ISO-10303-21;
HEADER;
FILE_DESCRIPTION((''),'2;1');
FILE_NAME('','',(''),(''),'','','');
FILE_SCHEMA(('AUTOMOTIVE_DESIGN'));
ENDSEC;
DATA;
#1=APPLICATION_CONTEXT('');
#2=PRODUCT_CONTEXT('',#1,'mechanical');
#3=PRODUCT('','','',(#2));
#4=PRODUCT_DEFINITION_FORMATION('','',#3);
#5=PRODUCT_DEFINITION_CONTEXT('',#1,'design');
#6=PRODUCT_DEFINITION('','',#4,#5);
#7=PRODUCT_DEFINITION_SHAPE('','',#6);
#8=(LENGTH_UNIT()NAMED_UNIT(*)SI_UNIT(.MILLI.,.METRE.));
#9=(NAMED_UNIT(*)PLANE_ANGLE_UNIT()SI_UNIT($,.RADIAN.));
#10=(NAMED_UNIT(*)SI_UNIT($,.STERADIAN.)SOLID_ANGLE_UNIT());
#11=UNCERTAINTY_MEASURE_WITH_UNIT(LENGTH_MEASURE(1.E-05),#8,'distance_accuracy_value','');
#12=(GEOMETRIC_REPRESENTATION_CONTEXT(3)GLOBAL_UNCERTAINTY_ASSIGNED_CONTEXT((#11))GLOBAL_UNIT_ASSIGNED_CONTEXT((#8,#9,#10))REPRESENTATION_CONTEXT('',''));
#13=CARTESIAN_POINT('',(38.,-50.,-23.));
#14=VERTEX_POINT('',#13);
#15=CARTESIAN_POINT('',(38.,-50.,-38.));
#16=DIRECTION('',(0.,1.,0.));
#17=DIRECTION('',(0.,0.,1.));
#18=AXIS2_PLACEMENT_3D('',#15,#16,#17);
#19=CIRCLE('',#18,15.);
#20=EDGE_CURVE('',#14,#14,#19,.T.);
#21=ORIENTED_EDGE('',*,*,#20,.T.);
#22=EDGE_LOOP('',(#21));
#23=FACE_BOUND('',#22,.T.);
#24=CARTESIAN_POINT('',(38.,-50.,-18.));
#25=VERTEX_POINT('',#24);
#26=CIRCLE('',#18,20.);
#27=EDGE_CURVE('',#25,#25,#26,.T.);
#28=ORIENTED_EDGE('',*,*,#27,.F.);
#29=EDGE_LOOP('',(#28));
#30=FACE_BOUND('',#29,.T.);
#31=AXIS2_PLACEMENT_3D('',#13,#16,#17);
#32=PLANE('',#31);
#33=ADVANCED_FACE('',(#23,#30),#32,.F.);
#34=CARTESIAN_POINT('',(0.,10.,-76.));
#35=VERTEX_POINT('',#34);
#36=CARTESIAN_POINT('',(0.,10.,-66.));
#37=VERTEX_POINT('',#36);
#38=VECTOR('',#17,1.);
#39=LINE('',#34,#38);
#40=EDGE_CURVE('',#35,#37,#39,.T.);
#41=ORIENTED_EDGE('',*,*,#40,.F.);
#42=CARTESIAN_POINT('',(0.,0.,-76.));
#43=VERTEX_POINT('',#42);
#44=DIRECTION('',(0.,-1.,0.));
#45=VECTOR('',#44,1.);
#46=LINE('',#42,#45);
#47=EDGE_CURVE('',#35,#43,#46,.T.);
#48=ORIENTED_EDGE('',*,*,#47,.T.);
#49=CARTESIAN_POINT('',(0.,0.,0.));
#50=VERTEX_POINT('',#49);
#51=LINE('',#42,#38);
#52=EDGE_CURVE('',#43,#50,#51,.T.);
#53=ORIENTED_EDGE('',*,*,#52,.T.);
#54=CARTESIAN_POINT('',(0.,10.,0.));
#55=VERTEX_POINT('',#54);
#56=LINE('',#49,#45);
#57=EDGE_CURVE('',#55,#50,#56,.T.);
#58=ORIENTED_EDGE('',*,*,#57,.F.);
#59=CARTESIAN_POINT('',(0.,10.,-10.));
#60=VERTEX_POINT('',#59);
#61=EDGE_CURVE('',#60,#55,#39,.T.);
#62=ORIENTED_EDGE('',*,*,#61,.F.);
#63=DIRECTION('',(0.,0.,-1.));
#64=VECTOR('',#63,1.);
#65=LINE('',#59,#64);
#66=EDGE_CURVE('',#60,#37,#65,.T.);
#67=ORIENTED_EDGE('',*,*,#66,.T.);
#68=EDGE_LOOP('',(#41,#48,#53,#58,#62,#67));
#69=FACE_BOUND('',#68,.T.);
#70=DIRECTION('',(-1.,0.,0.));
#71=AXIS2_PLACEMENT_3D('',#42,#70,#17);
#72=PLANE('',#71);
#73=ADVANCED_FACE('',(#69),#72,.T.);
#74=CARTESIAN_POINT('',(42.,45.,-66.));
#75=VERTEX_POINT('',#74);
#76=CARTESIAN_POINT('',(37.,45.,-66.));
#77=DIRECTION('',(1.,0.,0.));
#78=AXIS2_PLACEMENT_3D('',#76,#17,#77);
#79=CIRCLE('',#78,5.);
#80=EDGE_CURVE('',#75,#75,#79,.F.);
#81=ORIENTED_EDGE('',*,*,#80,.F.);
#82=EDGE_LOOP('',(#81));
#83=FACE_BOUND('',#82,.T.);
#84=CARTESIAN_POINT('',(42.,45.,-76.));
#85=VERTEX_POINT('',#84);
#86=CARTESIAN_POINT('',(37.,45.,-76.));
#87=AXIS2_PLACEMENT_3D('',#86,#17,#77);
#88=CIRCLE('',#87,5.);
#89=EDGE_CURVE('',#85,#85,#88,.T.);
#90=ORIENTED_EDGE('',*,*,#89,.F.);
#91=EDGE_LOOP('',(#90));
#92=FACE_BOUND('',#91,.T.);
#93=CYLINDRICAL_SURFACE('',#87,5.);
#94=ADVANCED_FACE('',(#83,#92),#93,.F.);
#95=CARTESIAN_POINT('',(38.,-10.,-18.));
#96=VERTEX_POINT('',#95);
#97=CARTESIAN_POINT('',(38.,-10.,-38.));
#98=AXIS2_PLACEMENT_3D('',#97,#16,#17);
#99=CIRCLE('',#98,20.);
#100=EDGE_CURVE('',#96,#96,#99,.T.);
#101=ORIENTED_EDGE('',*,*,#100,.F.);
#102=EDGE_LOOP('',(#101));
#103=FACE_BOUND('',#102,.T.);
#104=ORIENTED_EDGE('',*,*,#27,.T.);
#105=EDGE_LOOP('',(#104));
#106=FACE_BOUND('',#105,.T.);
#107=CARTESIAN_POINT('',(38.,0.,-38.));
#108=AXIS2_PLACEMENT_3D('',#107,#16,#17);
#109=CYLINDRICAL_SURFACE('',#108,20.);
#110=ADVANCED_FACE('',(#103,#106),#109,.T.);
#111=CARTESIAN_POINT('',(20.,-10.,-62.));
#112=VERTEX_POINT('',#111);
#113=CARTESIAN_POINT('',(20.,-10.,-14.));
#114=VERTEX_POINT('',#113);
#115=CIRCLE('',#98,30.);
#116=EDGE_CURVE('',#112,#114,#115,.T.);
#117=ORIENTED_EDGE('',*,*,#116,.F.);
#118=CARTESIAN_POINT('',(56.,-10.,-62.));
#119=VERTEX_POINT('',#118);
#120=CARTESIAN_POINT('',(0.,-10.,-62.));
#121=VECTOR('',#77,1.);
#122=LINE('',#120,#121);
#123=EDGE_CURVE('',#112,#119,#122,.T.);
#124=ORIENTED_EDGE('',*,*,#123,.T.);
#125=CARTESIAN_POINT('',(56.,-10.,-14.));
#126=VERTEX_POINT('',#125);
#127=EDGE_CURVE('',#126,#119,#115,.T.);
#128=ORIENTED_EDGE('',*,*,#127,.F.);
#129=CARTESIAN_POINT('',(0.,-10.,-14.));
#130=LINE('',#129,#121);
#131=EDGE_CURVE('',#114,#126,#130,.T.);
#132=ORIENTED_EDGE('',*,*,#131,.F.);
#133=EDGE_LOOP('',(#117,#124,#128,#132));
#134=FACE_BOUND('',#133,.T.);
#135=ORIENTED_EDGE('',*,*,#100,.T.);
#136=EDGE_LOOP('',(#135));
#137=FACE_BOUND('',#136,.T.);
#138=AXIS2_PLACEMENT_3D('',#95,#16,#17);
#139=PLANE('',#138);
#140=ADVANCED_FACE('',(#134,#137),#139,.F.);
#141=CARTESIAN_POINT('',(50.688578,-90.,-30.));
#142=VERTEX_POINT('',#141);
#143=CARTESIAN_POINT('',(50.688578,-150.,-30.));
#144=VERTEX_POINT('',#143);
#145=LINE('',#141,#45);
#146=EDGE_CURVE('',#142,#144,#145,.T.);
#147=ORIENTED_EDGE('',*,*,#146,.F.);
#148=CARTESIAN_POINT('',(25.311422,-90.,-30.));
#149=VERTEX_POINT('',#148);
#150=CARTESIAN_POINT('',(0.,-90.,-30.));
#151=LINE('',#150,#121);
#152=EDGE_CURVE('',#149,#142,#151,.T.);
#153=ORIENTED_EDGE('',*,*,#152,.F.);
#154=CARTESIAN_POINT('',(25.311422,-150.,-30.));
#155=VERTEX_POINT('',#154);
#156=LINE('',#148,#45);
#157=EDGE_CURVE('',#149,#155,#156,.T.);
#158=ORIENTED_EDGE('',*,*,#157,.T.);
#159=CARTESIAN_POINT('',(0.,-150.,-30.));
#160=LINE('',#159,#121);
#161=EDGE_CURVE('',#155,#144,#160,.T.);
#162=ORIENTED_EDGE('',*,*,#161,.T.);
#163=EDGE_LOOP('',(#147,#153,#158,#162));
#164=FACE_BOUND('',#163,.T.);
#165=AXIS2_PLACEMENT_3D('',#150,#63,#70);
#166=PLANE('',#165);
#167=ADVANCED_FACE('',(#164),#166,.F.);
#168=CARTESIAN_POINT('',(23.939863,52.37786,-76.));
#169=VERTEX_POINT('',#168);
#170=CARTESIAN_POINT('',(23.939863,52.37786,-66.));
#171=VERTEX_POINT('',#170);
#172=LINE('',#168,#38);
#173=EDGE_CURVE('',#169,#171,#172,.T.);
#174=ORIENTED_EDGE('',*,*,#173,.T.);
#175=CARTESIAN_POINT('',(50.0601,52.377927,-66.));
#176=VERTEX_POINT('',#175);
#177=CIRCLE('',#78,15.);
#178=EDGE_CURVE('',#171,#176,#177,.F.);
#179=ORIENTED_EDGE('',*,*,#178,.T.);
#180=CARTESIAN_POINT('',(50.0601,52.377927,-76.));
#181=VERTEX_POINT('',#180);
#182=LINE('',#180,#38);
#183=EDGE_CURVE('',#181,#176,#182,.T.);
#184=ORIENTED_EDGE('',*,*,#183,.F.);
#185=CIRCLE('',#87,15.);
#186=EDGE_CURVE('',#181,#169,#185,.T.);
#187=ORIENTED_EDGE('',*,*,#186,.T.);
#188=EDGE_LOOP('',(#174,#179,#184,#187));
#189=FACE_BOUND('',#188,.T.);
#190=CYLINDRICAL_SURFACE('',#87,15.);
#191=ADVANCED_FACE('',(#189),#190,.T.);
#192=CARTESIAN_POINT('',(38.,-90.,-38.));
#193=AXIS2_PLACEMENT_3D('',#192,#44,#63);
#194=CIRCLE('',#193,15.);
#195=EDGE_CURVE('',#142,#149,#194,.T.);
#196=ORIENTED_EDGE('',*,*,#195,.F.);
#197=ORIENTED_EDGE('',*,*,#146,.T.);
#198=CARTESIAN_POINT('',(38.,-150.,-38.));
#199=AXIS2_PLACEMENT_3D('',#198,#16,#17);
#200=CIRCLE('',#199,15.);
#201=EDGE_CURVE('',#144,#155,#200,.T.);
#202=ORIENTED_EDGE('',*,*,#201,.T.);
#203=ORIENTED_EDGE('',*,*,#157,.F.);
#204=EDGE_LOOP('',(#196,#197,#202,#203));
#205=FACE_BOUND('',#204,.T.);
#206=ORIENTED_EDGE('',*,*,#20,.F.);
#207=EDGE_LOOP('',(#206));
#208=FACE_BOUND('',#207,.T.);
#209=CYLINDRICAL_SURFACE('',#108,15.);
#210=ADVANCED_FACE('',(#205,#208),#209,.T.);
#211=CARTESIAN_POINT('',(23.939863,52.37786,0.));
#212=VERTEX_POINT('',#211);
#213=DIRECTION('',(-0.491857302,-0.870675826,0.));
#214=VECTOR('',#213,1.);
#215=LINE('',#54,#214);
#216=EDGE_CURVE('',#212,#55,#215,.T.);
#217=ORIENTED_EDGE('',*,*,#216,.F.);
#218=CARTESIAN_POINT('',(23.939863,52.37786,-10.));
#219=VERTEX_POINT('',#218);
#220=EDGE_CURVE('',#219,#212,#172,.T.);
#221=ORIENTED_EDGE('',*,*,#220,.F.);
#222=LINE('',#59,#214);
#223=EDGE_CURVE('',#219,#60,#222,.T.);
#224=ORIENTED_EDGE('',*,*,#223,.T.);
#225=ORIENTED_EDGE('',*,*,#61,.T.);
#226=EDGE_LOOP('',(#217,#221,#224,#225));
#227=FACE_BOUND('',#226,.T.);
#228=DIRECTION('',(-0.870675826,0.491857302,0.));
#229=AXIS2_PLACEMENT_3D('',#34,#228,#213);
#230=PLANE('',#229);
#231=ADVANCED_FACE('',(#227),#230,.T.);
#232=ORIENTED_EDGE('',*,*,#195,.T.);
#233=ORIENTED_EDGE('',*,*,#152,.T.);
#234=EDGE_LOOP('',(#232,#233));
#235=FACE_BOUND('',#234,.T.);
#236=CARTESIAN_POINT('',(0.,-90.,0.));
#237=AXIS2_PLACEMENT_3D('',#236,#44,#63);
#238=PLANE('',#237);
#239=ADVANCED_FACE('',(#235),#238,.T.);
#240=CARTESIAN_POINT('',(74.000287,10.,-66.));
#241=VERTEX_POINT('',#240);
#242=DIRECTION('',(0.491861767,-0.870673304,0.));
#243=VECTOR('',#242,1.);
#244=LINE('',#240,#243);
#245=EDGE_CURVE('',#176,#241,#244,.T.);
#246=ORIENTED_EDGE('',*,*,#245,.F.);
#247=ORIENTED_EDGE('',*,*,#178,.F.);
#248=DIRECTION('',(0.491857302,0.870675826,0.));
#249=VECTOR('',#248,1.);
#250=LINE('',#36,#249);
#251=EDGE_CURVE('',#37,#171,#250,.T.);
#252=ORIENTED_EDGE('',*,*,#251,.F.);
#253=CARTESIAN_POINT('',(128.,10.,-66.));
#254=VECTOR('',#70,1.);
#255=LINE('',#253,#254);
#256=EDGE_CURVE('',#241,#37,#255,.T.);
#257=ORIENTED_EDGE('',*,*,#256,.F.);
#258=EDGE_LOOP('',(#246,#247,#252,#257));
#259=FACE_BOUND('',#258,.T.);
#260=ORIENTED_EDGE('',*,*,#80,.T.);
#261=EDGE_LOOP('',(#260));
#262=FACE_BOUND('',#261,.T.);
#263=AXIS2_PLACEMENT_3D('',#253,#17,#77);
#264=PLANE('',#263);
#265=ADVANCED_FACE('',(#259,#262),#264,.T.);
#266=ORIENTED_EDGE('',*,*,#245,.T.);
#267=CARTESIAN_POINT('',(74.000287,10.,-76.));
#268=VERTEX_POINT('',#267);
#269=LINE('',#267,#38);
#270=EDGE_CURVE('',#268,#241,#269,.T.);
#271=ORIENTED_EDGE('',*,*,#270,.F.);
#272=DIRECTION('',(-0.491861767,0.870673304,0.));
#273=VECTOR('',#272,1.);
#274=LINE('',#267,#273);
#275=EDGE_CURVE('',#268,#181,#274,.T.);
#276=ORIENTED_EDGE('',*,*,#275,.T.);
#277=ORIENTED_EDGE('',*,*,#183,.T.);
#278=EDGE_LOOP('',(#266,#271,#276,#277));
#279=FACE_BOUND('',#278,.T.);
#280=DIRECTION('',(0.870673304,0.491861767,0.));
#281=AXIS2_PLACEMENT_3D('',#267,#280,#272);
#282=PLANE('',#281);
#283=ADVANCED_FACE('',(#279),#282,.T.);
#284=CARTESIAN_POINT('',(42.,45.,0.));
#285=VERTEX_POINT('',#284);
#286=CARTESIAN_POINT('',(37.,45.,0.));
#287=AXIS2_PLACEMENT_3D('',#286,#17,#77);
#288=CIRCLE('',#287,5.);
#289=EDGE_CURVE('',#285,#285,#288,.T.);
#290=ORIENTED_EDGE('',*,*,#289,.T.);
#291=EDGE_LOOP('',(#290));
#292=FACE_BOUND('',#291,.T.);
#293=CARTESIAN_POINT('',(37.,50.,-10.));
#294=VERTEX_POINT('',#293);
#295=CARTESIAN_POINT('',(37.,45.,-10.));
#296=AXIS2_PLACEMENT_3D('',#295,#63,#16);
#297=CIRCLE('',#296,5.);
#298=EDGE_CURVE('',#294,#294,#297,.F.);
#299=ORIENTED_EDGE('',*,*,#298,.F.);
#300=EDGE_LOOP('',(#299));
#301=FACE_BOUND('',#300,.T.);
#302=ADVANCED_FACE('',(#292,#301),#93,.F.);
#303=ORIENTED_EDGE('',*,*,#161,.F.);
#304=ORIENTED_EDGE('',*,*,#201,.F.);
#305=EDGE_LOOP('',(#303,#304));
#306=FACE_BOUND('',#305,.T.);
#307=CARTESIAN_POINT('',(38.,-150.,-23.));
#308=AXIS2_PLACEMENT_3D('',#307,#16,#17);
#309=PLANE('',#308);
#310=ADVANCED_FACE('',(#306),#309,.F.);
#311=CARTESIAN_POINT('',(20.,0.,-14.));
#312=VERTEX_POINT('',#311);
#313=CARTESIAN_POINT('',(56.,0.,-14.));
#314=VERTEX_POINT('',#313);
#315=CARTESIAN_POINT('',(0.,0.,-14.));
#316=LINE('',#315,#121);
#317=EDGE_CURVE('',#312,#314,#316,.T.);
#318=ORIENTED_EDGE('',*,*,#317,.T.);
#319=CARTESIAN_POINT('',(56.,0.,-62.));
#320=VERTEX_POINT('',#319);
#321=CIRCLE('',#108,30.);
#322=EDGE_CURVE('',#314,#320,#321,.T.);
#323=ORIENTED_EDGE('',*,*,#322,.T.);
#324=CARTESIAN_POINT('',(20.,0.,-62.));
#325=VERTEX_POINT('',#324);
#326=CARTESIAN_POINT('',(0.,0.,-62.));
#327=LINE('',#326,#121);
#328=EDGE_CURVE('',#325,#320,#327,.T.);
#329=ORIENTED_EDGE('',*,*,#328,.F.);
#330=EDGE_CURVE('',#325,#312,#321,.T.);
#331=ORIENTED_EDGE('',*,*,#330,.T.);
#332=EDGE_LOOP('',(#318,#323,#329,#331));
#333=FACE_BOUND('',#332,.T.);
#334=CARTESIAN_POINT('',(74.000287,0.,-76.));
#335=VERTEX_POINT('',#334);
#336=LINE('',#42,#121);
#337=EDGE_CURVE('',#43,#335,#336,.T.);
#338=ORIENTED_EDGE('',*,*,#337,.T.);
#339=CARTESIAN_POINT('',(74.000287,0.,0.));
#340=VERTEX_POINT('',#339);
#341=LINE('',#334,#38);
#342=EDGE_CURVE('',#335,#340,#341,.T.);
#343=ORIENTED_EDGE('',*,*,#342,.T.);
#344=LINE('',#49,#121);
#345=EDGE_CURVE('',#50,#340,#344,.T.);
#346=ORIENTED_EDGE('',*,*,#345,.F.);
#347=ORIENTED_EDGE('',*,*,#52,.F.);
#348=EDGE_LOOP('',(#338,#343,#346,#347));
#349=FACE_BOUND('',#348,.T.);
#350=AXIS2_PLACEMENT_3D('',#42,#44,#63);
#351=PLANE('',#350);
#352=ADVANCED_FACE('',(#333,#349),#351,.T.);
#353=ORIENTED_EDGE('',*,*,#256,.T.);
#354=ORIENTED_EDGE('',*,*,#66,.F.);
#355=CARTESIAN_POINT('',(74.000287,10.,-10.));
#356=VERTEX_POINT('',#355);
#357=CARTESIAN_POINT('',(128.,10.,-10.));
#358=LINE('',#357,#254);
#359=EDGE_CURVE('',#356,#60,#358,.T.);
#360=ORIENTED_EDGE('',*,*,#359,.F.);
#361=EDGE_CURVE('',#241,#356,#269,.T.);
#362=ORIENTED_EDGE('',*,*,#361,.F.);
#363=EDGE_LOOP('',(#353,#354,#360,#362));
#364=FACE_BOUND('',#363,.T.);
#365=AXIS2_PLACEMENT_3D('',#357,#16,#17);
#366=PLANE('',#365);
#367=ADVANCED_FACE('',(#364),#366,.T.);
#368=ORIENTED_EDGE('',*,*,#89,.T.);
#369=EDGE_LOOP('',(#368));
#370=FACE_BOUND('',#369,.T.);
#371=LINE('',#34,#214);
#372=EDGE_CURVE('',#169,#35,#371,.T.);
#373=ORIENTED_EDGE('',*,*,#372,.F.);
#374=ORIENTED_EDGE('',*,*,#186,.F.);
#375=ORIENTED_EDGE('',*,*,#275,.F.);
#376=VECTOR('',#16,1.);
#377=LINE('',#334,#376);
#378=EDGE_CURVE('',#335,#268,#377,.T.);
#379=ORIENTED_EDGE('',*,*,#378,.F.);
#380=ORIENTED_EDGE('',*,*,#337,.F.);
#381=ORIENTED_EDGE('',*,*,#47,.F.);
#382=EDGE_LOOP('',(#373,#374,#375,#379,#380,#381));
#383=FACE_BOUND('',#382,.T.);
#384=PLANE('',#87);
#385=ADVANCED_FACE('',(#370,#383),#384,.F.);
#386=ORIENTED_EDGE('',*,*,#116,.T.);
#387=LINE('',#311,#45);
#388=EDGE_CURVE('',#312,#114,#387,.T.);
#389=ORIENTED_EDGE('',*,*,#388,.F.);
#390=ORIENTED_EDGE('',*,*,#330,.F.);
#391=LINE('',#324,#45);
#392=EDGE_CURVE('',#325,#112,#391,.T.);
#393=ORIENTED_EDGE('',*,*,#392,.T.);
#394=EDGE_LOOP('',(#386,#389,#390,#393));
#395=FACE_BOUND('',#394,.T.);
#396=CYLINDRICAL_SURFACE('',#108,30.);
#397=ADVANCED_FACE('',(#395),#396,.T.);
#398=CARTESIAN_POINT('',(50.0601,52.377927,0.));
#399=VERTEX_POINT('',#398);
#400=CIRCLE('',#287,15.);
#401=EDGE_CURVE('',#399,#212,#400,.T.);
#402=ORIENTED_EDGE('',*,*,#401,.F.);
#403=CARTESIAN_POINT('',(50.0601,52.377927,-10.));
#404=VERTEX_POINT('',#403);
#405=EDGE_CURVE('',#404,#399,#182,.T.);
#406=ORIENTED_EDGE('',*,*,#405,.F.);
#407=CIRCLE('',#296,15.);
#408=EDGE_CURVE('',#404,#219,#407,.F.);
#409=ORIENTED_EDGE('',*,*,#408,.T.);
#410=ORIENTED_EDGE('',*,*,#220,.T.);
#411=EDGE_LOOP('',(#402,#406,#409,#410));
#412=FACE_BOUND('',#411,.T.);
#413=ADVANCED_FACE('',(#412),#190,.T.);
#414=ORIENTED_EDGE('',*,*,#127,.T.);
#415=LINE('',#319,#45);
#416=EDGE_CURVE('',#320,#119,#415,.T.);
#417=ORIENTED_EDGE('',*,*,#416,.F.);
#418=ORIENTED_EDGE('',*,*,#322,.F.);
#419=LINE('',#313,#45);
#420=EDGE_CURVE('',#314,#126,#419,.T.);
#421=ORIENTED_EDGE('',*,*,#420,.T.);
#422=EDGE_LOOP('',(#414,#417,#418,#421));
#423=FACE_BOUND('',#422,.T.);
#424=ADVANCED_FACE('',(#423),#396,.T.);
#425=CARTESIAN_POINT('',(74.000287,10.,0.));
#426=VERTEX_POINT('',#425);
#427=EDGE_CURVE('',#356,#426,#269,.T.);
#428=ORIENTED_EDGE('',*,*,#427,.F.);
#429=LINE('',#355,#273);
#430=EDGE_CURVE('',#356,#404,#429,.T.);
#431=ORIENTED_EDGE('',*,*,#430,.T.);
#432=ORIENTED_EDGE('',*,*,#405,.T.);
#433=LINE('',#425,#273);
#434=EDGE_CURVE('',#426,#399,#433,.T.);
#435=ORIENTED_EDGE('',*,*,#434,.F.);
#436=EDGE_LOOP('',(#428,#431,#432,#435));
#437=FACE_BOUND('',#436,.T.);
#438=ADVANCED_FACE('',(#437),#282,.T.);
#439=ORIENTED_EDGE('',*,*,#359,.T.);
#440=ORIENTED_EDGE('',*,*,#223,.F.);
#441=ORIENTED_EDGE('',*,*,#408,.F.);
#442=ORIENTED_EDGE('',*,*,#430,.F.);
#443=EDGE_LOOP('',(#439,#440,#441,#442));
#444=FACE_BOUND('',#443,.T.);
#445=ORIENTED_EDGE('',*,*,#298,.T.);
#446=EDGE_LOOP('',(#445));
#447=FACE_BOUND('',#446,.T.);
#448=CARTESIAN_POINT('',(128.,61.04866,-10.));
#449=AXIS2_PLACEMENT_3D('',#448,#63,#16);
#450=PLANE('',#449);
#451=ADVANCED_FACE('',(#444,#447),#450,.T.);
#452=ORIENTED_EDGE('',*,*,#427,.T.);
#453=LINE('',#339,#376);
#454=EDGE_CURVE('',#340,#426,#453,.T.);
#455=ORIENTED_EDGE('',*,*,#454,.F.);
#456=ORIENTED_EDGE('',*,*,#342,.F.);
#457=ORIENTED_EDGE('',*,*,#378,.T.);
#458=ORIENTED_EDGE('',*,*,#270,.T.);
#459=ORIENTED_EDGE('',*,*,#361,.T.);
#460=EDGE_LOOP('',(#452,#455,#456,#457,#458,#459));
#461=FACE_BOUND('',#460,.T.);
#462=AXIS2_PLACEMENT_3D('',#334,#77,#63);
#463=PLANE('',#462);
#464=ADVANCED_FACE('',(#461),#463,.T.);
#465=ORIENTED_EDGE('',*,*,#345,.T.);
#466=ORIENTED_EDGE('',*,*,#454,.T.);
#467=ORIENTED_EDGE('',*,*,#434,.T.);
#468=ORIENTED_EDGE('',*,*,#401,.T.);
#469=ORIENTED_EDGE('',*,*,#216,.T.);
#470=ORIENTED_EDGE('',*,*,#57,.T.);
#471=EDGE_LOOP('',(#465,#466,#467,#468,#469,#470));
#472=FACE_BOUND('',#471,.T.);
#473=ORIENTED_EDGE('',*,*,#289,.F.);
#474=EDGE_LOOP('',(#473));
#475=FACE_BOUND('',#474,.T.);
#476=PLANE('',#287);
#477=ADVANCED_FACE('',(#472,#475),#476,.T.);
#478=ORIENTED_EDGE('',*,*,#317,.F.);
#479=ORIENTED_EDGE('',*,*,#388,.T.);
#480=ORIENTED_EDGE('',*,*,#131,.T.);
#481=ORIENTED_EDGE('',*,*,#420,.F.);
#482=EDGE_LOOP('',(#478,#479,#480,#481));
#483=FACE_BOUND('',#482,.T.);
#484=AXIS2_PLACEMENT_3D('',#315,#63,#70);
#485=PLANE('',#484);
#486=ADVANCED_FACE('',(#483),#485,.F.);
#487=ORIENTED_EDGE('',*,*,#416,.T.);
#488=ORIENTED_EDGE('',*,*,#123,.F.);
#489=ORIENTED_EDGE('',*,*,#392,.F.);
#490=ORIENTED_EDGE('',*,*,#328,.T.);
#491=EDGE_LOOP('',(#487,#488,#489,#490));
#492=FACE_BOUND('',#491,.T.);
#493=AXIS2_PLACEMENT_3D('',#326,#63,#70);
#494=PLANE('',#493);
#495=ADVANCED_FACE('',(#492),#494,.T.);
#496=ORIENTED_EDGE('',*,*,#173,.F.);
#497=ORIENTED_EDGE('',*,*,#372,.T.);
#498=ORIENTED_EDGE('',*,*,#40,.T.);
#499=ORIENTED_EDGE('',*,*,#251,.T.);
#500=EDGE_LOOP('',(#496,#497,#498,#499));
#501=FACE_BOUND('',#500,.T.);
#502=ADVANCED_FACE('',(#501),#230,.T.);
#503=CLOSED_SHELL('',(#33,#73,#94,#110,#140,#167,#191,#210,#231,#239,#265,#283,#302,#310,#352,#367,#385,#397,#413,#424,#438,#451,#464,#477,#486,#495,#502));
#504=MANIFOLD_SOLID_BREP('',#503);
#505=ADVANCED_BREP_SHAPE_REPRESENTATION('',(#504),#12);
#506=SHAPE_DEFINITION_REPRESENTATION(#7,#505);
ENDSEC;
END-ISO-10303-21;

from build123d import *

# Parameters (mm, degrees)
SKETCH1_R           = 5
BOSS_EXTRUDE1_DEPTH = 76
SKETCH2_W           = 56
SKETCH2_H           = 51.048659901
CUT_EXTRUDE1_DEPTH  = 128
CUT_EXTRUDE2_START  = -10
CUT_EXTRUDE2_DEPTH  = 10
CUT_EXTRUDE3_DEPTH  = 60


with BuildPart() as part:
    # Sketch1 → Boss-Extrude1 (new body)
    with BuildSketch(Plane.XY):
        with BuildLine():
            Line((0, 0), (0, 10))
            Line((0, 10), (23.939862606, 52.377859531))
            ThreePointArc((23.939862606, 52.377859531), (36.99996154, 60), (50.06009956, 52.377926503))
            Line((50.06009956, 52.377926503), (74.000286667, 10))
            Line((74.000286667, 10), (74.000286667, 0))
            Line((74.000286667, 0), (0, 0))
        make_face()
        with Locations((37, 45)):
            Circle(SKETCH1_R, mode=Mode.SUBTRACT)
    extrude(amount=-BOSS_EXTRUDE1_DEPTH)

    # Sketch2 → Cut-Extrude1 (cut)
    with BuildSketch(Plane(origin=(0, 0, 0), x_dir=(0, 0, -1), z_dir=(1, 0, 0))):
        with Locations((38, 35.524329951)):
            Rectangle(SKETCH2_W, SKETCH2_H)
    extrude(amount=CUT_EXTRUDE1_DEPTH, mode=Mode.SUBTRACT)

    # Sketch6 → Revolve2 (revolve)
    with BuildSketch(Plane.ZY.offset(-38)):
        Polygon((-18, -10), (-8, -10), (-8, 0), (-38, 0), (-38, -150), (-23, -150), (-23, -50), (-18, -50), align=None)
    revolve(axis=Axis((38, 0, -38), (0, -1, 0)))

    # Sketch8 → Cut-Extrude2 (cut)
    with BuildSketch(Plane.XZ.offset(10).offset(CUT_EXTRUDE2_START)):
        with BuildLine():
            Line((56, -62), (20, -62))
            ThreePointArc((20, -62), (38, -68), (56, -62))
        make_face()
        with BuildLine():
            ThreePointArc((56, -14), (38, -8), (20, -14))
            Line((20, -14), (56, -14))
        make_face()
    extrude(amount=CUT_EXTRUDE2_DEPTH, mode=Mode.SUBTRACT)

    # Sketch9 → Cut-Extrude3 (cut)
    with BuildSketch(Plane.XZ.offset(150)):
        Polygon((-121.587546026, -30), (25.31142246, -30), (50.68857754, -30), (197.587546026, -30), (197.587546026, 263.79793697), (-121.587546026, 263.79793697), align=None)
    extrude(amount=-CUT_EXTRUDE3_DEPTH, mode=Mode.SUBTRACT)


solid = part.part
